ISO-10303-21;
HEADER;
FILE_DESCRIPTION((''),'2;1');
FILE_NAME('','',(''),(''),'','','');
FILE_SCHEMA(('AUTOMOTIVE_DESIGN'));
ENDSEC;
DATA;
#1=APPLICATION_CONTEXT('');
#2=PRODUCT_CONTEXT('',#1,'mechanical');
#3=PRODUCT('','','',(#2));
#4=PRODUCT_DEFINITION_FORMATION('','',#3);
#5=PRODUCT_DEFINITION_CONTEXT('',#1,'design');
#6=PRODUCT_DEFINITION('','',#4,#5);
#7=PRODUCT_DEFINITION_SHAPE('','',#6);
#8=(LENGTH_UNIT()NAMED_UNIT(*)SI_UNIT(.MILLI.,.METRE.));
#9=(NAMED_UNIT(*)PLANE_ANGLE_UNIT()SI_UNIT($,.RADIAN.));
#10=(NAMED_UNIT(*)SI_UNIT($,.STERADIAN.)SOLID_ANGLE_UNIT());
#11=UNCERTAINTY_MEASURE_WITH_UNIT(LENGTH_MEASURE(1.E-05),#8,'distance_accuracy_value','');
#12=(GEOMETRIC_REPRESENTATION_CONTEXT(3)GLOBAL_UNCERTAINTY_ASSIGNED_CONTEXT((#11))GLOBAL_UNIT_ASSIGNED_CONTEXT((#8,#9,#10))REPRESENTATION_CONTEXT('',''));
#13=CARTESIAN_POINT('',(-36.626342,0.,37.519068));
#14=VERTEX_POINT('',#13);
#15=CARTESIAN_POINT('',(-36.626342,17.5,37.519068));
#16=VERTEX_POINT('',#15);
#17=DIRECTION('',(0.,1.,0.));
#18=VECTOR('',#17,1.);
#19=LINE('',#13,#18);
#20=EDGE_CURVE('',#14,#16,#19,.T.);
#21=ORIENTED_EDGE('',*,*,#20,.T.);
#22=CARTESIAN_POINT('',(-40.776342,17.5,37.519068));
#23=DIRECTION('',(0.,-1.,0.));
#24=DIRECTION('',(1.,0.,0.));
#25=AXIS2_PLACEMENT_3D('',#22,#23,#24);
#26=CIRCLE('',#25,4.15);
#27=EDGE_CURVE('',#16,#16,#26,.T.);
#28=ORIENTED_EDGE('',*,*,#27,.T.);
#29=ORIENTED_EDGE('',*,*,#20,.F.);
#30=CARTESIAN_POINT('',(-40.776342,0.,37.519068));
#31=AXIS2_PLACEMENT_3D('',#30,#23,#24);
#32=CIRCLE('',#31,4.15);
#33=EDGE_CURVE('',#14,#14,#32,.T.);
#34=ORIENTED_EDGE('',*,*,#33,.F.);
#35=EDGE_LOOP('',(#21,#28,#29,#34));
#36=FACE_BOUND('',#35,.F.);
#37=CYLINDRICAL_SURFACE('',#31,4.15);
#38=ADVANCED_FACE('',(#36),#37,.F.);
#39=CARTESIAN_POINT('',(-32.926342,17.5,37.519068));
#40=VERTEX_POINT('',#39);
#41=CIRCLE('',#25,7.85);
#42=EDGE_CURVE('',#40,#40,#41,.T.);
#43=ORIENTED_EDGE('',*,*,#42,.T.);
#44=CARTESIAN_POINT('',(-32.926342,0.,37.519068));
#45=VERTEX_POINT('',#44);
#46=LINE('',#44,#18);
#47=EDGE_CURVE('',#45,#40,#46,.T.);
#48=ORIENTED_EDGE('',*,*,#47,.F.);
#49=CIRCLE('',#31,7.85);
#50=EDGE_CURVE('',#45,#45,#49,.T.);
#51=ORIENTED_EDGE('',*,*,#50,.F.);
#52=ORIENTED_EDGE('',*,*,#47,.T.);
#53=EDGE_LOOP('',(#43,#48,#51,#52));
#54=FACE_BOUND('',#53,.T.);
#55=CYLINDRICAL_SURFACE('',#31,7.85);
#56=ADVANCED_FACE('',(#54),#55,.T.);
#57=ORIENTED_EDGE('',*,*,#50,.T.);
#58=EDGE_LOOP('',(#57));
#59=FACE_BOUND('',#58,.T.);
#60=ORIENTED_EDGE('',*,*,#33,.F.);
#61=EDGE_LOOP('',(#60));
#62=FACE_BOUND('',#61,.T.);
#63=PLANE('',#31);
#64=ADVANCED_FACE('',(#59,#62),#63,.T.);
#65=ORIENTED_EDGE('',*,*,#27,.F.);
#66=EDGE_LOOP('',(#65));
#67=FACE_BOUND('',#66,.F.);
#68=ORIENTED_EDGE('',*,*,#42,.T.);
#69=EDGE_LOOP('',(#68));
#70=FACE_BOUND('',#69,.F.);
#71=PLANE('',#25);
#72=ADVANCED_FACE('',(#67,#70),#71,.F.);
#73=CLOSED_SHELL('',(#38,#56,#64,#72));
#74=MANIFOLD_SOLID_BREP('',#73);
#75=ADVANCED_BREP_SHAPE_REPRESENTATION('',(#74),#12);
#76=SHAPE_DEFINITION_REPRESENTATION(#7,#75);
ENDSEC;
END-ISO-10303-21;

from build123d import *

# Parameters (mm, degrees)
F0_R     = 7.85
F0_R_2   = 4.15
F1_DEPTH = 17.5


with BuildPart() as f1:
    # F0 (on Front) → F1 (new body)
    with BuildSketch(Plane.XZ):
        with Locations((-40.776342, 37.519068)):
            Circle(F0_R)
        with Locations((-40.776342, 37.519068)):
            Circle(F0_R_2, mode=Mode.SUBTRACT)
    extrude(amount=-F1_DEPTH)


solid = f1.part
